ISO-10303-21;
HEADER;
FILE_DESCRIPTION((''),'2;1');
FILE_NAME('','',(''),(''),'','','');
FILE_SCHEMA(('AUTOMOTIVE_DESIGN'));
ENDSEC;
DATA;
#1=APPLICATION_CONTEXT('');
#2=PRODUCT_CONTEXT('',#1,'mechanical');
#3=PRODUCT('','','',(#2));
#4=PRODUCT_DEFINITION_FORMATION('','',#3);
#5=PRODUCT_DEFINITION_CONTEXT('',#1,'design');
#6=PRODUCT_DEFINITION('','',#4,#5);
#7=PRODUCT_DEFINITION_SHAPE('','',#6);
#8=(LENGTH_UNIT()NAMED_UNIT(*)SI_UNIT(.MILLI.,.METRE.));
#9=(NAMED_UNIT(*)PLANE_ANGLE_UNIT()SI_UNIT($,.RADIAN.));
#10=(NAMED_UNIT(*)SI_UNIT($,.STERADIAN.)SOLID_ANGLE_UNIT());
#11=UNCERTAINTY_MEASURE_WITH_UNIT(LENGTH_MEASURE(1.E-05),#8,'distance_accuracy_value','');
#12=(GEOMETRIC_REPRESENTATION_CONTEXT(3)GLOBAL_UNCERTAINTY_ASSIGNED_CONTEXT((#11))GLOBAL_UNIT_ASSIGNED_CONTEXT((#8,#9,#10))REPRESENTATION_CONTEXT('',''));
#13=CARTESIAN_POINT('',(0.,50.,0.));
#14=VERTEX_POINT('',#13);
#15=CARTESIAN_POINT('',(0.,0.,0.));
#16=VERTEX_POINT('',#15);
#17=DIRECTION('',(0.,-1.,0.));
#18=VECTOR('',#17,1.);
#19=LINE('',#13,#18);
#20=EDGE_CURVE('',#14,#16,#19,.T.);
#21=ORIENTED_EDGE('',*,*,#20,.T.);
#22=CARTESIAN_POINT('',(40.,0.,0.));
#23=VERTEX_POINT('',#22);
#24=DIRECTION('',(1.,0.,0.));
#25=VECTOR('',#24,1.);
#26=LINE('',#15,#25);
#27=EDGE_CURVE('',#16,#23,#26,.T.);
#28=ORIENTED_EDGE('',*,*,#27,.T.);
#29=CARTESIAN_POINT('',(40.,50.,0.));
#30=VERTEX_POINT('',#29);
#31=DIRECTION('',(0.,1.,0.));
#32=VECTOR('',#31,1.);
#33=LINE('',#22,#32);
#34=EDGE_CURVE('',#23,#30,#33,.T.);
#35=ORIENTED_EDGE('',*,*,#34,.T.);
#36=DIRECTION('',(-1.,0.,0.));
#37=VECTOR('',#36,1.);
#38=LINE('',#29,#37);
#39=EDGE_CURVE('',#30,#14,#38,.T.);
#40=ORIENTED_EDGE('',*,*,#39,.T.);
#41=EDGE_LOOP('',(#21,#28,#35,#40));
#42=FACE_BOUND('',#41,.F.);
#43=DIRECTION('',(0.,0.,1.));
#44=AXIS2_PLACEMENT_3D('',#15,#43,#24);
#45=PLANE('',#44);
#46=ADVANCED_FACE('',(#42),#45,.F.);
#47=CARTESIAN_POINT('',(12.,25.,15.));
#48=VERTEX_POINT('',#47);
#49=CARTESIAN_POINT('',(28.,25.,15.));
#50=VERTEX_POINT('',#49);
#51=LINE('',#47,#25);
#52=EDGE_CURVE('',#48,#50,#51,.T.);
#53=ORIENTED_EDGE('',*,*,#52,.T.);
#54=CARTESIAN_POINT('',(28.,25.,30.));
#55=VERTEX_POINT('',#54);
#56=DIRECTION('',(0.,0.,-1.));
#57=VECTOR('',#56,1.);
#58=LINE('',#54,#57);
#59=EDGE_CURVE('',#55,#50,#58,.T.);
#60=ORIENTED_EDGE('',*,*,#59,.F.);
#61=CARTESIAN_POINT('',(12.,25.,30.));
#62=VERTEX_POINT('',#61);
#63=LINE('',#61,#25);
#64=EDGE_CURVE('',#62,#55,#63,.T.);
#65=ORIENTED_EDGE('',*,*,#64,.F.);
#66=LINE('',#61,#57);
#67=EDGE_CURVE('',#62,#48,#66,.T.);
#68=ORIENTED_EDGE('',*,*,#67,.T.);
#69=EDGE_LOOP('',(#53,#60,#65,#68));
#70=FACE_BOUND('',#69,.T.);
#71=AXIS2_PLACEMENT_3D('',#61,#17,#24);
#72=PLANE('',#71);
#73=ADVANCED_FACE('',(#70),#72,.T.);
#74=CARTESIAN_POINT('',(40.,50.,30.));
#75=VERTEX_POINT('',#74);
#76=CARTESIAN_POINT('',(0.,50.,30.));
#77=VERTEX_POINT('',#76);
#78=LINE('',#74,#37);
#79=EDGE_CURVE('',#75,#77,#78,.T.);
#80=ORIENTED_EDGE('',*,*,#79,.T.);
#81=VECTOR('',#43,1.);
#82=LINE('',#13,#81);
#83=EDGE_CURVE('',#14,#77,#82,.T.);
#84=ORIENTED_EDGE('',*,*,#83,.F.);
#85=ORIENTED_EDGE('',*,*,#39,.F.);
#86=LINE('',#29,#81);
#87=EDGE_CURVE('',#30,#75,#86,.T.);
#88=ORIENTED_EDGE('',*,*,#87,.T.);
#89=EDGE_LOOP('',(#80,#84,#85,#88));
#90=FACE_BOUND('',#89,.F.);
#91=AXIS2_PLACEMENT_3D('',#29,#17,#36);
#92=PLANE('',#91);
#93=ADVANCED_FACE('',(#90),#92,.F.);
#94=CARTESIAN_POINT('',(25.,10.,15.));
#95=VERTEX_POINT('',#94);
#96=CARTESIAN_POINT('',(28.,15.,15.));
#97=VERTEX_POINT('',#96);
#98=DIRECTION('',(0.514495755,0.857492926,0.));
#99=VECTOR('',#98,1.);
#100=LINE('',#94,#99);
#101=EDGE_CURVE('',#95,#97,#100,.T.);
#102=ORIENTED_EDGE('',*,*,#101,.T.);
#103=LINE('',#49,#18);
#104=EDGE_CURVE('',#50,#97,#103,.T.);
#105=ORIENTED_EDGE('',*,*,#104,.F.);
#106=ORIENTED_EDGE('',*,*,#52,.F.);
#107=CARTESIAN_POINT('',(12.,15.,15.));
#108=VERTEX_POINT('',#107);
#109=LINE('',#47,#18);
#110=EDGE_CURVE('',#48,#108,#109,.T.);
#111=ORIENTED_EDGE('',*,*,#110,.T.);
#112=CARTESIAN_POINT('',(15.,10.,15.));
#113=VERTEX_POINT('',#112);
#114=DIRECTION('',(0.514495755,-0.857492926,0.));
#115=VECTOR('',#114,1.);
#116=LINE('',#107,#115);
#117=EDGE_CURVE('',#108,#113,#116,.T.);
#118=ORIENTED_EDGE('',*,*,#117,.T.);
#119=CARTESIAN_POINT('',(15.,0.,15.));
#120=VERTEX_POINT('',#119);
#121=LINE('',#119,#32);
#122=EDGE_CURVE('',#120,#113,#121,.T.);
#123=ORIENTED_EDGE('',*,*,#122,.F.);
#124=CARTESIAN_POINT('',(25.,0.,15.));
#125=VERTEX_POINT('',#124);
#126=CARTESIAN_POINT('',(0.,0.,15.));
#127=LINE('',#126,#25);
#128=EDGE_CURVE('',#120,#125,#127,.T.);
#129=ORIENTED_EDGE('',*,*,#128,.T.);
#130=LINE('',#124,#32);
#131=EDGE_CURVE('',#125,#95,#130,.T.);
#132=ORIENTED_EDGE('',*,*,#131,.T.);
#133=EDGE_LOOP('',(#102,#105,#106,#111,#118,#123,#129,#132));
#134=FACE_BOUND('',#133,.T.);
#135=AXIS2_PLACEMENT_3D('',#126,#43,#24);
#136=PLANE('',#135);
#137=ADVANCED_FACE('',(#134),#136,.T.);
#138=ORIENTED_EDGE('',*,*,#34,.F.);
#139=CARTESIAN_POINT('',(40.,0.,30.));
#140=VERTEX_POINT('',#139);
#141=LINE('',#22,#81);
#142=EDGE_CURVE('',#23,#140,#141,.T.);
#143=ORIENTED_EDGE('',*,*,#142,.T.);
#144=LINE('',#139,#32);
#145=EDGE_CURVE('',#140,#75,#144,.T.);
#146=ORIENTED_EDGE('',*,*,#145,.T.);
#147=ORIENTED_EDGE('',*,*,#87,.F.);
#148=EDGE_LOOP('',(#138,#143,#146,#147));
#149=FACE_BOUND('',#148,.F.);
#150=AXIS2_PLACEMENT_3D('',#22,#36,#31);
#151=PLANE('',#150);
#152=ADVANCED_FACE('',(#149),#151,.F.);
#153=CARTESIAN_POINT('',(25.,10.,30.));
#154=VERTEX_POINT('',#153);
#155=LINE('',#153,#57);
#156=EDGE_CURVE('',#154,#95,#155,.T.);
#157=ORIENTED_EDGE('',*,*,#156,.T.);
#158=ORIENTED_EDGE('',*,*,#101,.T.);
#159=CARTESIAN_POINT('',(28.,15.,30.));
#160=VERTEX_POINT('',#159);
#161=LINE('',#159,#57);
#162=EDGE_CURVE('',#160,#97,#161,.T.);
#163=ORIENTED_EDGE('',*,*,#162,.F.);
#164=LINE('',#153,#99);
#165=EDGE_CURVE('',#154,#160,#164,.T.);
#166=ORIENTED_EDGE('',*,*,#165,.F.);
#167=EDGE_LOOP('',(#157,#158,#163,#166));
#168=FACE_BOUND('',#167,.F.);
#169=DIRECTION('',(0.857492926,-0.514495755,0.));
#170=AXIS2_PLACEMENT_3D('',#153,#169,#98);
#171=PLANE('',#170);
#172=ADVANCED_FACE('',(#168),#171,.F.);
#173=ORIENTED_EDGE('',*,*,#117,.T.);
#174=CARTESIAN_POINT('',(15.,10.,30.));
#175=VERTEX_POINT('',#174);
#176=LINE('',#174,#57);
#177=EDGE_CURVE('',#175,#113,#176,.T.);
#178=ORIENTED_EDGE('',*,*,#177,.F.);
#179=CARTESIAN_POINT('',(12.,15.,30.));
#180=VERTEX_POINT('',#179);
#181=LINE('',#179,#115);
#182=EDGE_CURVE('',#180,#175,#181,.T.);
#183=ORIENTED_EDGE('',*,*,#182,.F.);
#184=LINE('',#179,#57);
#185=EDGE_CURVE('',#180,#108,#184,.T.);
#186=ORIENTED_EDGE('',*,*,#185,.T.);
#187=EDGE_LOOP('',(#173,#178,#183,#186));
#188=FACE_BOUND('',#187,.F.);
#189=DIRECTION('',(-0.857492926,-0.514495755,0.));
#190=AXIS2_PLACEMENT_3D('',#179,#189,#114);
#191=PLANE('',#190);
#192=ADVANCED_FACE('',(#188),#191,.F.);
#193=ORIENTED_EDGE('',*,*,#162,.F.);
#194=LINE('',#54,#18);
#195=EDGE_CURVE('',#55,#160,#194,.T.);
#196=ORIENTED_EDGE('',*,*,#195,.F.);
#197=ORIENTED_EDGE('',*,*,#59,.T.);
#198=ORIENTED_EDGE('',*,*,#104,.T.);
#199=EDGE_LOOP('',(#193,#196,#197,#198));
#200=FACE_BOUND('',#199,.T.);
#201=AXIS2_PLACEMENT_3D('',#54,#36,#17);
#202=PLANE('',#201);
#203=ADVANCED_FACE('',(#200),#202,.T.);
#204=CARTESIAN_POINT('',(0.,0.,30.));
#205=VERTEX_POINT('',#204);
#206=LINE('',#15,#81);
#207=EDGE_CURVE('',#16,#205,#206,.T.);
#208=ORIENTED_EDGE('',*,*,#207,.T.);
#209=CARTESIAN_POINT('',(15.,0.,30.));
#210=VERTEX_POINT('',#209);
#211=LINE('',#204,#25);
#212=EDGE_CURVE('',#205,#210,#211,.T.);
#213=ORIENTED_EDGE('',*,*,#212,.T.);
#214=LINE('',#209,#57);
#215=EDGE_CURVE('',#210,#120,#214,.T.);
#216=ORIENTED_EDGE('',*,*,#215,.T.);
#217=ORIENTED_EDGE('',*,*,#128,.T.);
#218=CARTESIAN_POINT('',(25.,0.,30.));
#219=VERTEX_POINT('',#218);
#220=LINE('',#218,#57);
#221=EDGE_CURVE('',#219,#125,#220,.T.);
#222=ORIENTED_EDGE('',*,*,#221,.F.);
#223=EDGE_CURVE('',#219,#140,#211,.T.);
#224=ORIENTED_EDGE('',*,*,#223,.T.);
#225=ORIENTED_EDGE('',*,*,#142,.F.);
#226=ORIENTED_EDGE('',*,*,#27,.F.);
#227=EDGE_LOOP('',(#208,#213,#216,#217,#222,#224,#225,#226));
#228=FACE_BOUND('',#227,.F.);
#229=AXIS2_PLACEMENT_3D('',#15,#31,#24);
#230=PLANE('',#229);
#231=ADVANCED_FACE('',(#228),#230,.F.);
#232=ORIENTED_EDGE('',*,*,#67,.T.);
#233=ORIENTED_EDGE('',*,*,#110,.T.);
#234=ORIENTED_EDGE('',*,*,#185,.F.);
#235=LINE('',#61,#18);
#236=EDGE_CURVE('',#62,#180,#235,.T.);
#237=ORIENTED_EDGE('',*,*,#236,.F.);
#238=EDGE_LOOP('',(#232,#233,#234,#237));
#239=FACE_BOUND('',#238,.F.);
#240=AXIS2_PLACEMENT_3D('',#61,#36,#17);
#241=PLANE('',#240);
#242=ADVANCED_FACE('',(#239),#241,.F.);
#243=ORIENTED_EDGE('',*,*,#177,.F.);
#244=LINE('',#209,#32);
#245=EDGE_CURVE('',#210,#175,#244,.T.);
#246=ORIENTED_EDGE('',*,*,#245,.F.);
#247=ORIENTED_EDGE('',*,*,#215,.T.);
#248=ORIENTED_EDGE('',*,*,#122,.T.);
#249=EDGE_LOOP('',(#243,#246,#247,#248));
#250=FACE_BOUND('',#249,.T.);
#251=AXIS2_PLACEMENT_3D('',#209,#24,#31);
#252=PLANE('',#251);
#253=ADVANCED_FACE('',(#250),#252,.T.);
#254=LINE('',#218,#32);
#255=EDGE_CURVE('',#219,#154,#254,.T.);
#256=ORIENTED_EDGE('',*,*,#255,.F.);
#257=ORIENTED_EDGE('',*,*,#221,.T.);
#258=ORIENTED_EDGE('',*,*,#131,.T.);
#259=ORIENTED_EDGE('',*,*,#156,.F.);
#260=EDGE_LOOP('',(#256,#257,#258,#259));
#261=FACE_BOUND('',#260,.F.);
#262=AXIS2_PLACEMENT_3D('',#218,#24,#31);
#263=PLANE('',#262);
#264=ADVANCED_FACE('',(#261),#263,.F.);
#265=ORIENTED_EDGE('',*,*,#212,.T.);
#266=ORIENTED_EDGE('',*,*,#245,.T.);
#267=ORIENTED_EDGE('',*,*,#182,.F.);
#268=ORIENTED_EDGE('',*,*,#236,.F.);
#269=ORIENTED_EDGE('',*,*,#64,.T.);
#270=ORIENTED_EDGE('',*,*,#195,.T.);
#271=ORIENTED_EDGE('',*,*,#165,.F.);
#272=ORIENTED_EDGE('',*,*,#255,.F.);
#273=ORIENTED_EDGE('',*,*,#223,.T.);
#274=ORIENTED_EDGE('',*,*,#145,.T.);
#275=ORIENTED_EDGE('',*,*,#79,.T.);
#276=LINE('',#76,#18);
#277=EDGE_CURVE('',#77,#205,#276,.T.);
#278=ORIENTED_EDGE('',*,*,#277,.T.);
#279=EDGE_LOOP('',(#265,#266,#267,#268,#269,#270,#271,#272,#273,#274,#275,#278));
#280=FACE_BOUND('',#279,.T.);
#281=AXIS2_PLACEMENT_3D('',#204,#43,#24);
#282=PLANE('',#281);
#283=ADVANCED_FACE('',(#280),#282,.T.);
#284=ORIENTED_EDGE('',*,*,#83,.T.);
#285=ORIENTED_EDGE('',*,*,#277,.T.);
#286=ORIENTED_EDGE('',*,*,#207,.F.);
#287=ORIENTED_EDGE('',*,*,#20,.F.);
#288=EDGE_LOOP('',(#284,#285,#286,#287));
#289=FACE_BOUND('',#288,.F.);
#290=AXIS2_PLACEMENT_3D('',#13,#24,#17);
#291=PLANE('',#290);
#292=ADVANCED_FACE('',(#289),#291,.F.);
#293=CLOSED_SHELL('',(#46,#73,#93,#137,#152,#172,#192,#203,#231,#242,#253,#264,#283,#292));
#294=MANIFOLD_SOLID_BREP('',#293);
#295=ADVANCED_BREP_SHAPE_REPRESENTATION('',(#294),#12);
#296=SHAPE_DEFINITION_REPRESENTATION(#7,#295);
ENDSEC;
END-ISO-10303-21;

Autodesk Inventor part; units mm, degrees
ref_plane "YZ Plane" through (0, 0, 0) normal (1, 0, 0) x (0, 1, 0)
ref_plane "XZ Plane" through (0, 0, 0) normal (0, 1, 0) x (-1, 0, 0)
ref_plane "XY Plane" through (0, 0, 0) normal (0, 0, 1) x (1, 0, 0)
sketch "Boceto1" plane through (0, 0, 0) normal (0, 0, 1) x (1, 0, 0)
  line L0 (0, 0) -> (40, 0)
  line L1 (40, 0) -> (40, 50)
  line L2 (40, 50) -> (0, 50)
  line L3 (0, 50) -> (0, 0)
  dimension "d0" = 40
  dimension "d1" = 50
extrude "Extrusión1" add sketch "Boceto1" along normal blind 30
sketch "Boceto2" plane through (0, 0, 30) normal (0, 0, 1) x (1, 0, 0)
  line L0 (0, 0) -> (40, 0) projected
  line L1 (0, 0) -> (15, 0)
  line L2 (15, 0) -> (15, 10)
  line L3 (0, 0) -> (0, 25) construction
  line L4 (0, 50) -> (0, 0) construction
  line L5 (0, 25) -> (12, 25) construction
  line L6 (12, 25) -> (12, 15)
  line L7 (12, 15) -> (15, 10)
  line L8 (12, 25) -> (28, 25)
  line L9 (28, 25) -> (40, 25) construction
  line L10 (28, 25) -> (28, 15)
  line L11 (15, 0) -> (25, 0)
  line L12 (25, 0) -> (25, 10)
  line L13 (25, 10) -> (28, 15)
  dimension "d4" = 15
  dimension "d5" = 10
  dimension "d6" = 25
  dimension "d7" = 12
  dimension "d8" = 10
  dimension "d9" = 16
  dimension "d10" = 10
  dimension "d11" = 10
  dimension "d12" = 10
extrude "Extrusión2" cut sketch "Boceto2" against normal blind 15
equation "\"Referencia_centro\" = 25"
properties part number "Bases_parametrizado"
